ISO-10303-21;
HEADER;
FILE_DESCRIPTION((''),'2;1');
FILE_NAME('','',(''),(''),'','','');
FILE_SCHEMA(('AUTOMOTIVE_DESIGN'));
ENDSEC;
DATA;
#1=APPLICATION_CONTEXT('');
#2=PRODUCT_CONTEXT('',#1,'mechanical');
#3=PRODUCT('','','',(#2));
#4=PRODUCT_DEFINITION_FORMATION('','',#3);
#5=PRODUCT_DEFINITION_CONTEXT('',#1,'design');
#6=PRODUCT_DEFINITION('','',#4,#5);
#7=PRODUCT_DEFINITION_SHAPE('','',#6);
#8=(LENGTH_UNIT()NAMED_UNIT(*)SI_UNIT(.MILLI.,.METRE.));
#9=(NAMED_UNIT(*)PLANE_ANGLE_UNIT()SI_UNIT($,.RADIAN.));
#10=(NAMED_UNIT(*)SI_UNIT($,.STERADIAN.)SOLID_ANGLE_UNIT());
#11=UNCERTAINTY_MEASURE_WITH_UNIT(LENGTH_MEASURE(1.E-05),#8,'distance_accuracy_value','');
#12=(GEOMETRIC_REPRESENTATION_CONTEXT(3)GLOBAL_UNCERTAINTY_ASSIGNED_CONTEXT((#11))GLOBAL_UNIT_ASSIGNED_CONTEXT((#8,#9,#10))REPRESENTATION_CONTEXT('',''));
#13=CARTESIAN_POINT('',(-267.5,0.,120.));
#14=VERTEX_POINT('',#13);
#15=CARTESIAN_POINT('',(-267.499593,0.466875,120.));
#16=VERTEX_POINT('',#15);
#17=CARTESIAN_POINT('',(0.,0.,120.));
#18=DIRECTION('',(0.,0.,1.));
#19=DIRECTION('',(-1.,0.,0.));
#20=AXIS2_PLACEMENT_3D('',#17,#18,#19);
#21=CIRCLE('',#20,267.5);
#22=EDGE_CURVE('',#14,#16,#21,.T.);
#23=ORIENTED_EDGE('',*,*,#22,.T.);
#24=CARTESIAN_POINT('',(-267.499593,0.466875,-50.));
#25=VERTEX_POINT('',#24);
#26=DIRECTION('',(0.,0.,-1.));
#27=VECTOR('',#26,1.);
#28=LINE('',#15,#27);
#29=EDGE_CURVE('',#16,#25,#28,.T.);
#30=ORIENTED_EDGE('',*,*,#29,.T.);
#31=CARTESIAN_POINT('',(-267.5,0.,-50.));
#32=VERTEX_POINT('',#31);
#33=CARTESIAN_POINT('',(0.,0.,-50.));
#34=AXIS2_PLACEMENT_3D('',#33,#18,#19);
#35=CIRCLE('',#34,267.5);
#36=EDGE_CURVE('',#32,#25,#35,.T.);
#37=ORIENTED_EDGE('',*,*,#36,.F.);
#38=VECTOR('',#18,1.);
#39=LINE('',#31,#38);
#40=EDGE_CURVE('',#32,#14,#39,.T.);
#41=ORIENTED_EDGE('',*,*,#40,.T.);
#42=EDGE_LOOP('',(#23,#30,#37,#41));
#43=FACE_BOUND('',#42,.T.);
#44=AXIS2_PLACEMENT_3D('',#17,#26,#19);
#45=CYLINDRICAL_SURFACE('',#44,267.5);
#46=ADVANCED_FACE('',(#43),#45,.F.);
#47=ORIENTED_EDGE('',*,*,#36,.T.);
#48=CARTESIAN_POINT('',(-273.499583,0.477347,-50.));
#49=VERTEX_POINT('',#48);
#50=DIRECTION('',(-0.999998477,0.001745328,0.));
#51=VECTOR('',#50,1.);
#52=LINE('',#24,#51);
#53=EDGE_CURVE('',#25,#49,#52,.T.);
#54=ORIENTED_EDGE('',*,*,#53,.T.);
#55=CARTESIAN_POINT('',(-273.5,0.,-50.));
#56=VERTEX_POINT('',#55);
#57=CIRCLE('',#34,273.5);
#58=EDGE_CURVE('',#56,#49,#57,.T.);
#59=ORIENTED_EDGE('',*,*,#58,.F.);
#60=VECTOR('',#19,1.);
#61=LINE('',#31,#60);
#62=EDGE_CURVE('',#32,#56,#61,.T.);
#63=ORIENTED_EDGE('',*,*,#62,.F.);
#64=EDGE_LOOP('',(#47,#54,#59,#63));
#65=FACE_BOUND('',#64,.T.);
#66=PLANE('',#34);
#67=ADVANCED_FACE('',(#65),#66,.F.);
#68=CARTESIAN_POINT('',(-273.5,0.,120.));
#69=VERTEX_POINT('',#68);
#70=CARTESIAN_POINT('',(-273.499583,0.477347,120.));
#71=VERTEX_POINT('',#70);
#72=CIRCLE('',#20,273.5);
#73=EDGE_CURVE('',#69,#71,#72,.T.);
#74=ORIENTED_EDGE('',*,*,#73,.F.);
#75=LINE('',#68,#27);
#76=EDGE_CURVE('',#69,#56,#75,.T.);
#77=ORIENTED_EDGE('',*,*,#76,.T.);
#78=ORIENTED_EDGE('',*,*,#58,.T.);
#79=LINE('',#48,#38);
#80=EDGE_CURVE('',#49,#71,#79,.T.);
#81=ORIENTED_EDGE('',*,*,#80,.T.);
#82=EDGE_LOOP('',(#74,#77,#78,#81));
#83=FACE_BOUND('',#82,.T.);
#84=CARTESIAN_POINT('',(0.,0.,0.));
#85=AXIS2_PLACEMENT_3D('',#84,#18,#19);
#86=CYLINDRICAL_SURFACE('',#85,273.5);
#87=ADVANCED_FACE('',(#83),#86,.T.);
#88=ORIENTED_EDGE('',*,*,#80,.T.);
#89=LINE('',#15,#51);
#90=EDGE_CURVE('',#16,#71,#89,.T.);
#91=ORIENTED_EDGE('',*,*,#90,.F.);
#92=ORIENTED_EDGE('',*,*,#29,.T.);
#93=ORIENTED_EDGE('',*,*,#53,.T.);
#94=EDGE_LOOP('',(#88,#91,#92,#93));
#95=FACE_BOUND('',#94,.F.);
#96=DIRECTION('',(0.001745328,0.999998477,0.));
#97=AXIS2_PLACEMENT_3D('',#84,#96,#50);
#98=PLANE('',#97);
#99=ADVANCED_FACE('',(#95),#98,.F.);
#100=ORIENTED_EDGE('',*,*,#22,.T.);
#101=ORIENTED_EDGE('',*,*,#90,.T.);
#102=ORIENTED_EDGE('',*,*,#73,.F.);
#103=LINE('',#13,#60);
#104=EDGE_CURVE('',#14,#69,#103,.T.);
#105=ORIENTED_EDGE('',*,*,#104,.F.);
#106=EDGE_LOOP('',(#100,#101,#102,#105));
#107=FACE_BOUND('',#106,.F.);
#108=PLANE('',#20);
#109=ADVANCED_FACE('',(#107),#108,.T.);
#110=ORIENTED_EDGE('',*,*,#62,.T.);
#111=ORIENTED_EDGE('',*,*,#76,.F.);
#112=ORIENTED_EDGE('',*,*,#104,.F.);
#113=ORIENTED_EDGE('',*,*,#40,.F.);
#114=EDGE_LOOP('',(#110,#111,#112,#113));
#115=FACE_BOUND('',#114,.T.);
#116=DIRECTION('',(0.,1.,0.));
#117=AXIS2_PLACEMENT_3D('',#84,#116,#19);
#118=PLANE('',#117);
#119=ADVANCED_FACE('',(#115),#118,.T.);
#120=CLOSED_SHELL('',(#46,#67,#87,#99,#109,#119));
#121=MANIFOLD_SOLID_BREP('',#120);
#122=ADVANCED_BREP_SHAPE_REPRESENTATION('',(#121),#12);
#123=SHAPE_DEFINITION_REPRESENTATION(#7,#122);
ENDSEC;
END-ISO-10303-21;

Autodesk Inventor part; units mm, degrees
ref_plane "YZ Plane" through (0, 0, 0) normal (1, 0, 0) x (0, 1, 0)
ref_plane "XZ Plane" through (0, 0, 0) normal (0, 1, 0) x (-1, 0, 0)
ref_plane "XY Plane" through (0, 0, 0) normal (0, 0, 1) x (1, 0, 0)
sketch "Sketch1" plane through (0, 0, 0) normal (0, 1, 0) x (-1, 0, 0)
  line L0 (267.5, 120) -> (267.5, 0)
  line L1 (267.5, 0) -> (273.5, 0)
  line L2 (0, 0) -> (0, 109.131)
  line L3 (267.5, 120) -> (273.5, 120)
  line L4 (273.5, 0) -> (273.5, 120)
  line L5 (273.5, 0) -> (267.5, 0)
  line L6 (267.5, 0) -> (267.5, -50)
  line L7 (267.5, -50) -> (273.5, -50)
  line L8 (273.5, -50) -> (273.5, 0)
  point P0 (270.5, 0)
  point P1 (273.5, 0)
  point P2 (267.5, 0)
  dimension "d6" = 359.9
  dimension "d3" = 6
  dimension "d4" = 535
  dimension "d5" = 120
  dimension "d7" = 6
  dimension "d8" = 50
revolve "Revolution1" add sketch "Sketch1" angle 359.9 about axis through (0, 0, 0) along (0, 0, 1)
sketch "Sketch2" plane through (0, 0, 0) normal (0, 1, 0) x (-1, 0, 0)
  circle A0 centre (0, -476) radius 476
  point P0 (0, 0)
  dimension "d6" = 359.9
  dimension "d9" = 952
extrude "Extrusion1" [suppressed]
equation "\"d4\" = Accsess_hatch_diameter"
equation "\"d5\" = Accsess_hatch_lenght"
equation "\"d7\" = d3"
equation "\"Accsess_hatch_lenght\" = 120"
equation "\"Accsess_hatch_diameter\" = 535"
equation "\"BendRadius\" = Thickness"
equation "\"BendReliefWidth\" = Thickness"
equation "\"BendReliefDepth\" = 0.5 * Thickness"
equation "\"CornerReliefSize\" = 4 * Thickness"
equation "\"MinimumRemnant\" = 2 * Thickness"
equation "\"TransitionRadius\" = BendRadius"
equation "\"JacobiRadiusSize\" = BendRadius"
equation "\"GapSize\" = Thickness"
equation "\"Thickness\" = 6"
properties part number "PRS 9311 accses hatch tube_1200"
